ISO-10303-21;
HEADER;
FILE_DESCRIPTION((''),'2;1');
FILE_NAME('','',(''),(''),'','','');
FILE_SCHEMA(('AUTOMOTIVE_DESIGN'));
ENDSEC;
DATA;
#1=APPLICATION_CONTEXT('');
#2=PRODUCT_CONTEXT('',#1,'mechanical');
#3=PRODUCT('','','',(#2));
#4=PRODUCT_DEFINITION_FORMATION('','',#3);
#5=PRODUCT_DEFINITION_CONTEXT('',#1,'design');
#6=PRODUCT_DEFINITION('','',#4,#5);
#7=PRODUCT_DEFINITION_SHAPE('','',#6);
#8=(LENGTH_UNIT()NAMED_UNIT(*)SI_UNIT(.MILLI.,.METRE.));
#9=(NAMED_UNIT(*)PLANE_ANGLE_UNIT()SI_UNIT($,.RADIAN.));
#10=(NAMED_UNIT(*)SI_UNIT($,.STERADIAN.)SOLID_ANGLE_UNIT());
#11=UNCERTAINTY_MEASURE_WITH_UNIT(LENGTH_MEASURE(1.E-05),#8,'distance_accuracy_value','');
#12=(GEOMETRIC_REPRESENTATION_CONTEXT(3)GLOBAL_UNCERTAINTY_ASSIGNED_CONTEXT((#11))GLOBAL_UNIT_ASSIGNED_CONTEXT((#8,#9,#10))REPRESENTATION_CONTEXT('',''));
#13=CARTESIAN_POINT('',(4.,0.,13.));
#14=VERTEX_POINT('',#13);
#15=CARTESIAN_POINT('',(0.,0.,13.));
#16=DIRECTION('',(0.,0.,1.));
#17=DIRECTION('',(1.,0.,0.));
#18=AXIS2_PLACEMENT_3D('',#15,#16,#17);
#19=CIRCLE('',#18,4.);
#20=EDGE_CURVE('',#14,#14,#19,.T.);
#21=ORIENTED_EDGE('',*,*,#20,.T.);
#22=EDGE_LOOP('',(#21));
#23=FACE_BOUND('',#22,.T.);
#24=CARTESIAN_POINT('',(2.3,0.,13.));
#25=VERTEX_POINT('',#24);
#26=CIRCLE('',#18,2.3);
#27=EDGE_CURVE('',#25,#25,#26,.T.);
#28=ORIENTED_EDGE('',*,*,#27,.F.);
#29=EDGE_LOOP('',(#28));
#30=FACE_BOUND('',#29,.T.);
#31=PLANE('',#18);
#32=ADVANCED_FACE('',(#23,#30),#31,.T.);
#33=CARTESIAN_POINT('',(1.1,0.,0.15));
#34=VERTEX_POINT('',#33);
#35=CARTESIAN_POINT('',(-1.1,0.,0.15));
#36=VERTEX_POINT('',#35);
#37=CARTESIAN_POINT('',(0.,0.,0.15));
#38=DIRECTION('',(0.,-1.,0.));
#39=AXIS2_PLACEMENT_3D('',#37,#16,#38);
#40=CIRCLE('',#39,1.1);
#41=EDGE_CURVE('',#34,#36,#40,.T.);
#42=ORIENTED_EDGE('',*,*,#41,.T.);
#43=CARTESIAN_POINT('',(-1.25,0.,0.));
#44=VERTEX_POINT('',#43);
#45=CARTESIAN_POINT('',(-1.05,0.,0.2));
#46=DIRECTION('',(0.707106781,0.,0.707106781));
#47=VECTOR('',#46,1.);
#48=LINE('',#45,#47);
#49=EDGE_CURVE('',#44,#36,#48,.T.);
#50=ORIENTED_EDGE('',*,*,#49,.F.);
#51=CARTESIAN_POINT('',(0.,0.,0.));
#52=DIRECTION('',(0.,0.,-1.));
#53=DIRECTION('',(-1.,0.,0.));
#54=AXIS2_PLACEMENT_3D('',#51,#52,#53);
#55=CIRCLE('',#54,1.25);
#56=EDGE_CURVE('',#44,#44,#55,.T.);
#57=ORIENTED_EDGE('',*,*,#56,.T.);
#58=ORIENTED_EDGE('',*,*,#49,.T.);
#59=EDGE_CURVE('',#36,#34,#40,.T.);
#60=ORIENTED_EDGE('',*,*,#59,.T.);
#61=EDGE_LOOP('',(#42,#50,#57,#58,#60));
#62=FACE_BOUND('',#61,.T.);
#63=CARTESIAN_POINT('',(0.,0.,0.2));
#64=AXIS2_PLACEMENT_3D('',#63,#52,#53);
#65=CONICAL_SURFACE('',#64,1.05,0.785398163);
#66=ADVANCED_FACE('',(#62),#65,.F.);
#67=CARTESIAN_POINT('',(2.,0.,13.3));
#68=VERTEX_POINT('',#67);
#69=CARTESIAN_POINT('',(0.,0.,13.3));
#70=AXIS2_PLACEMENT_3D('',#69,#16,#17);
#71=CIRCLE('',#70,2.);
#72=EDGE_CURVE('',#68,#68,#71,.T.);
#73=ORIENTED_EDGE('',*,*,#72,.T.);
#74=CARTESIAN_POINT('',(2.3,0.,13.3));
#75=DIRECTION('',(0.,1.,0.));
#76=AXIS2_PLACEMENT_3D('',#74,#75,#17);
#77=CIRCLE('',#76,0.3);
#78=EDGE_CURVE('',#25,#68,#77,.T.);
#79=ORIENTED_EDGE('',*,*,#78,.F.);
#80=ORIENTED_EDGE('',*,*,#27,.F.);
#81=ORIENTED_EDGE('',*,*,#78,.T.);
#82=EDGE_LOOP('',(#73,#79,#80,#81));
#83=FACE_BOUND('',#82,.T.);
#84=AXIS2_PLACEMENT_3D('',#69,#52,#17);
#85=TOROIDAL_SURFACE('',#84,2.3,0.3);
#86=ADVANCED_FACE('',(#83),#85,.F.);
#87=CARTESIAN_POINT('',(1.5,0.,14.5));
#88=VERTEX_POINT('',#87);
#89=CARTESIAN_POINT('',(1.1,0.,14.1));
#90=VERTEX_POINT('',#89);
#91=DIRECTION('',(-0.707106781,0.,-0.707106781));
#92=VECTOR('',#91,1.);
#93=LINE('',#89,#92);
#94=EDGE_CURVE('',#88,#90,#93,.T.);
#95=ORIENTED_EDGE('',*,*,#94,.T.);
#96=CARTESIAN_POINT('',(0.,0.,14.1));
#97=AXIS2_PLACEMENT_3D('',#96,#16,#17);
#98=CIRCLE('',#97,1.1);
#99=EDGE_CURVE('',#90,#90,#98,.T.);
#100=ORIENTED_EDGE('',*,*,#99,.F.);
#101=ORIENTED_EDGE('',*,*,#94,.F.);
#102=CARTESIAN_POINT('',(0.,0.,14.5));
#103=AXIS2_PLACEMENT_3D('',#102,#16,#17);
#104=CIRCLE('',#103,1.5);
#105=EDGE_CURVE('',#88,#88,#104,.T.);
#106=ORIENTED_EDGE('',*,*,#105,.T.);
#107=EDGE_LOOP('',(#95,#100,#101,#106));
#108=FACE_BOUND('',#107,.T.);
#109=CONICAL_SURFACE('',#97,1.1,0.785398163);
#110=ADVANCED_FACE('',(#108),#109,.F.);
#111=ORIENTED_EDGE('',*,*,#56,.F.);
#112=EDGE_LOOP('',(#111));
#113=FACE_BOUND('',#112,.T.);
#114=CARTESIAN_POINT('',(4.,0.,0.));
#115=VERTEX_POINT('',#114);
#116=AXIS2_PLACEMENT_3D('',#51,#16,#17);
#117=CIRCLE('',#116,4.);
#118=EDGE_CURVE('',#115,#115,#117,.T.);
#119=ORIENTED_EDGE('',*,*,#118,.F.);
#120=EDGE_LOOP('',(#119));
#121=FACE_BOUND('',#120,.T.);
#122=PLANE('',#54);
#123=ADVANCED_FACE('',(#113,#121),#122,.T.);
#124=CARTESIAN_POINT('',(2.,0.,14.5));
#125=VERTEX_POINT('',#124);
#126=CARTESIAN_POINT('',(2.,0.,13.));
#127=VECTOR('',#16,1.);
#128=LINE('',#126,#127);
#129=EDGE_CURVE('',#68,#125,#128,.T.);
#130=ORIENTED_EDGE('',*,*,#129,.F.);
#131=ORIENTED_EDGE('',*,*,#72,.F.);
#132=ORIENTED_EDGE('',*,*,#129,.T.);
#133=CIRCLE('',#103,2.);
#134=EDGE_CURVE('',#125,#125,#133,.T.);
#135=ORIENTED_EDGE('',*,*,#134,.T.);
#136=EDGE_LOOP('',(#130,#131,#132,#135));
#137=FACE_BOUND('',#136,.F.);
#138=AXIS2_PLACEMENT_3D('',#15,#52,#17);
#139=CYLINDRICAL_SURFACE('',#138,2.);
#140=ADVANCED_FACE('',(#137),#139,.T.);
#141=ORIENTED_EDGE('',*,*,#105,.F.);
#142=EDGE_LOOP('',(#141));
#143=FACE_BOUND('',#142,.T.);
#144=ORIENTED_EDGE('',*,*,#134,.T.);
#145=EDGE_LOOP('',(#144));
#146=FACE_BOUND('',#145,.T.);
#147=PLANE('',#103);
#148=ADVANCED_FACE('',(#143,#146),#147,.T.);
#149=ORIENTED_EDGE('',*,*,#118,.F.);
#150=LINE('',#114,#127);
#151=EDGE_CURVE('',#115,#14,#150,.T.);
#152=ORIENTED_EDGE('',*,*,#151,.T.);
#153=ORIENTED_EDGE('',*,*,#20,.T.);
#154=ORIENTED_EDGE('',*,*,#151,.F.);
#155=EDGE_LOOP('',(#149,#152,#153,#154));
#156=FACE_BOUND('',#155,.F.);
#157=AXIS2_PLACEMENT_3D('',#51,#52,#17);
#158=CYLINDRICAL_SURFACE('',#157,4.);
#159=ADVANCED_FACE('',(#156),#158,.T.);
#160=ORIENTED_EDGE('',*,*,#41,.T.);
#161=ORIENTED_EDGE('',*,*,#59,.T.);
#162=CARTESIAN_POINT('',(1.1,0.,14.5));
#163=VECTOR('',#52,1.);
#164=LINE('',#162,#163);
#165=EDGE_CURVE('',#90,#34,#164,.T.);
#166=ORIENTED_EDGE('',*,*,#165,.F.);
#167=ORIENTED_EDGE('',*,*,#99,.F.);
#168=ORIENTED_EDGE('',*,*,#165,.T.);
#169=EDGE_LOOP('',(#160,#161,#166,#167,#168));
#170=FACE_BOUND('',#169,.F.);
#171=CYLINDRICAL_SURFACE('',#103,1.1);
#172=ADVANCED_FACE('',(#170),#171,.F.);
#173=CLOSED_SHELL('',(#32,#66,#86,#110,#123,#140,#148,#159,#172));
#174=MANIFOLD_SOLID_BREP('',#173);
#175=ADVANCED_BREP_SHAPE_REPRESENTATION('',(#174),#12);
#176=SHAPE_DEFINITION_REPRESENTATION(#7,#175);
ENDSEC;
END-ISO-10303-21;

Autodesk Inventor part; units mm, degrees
ref_plane "XY Plane" through (0, 0, 0) normal (0, 0, 1) x (1, 0, 0)
sketch "Sketch1" plane through (0, 0, 0) normal (0, 0, 1) x (1, 0, 0)
  circle A0 centre (0, 0) radius 1 projected
  circle A1 centre (0, 0) radius 4 projected
extrude "Extrusion1" add sketch "Sketch1" along normal blind 13
sketch "Sketch2" plane through (0, 0, 13) normal (0, 0, 1) x (1, 0, 0)
  circle A0 centre (0, 0) radius 1 projected
  circle A1 centre (0, 0) radius 4 projected
  circle A2 centre (0, 0) radius 2
  dimension "d5" = 4
extrude "Extrusion2" add sketch "Sketch2" along normal blind 1.5 contours A2
sketch "Sketch3" plane through (0, 0, 0) normal (0, 0, -1) x (-1, 0, 0)
  circle A0 centre (0, 0) radius 1 projected
  circle A1 centre (0, 0) radius 4 projected
  circle A2 centre (0, 0) radius 1.05
  dimension "d8" = 2.1
extrude "Extrusion3" cut sketch "Sketch3" against normal blind 20 contours A2
sketch "Sketch4" plane through (0, 0, 0) normal (0, 0, -1) x (-1, 0, 0)
  circle A0 centre (0, 0) radius 1.05 projected
  circle A1 centre (0, 0) radius 4 projected
extrude "Extrusion4" add sketch "Sketch4" along normal blind 0.5
sketch "Sketch5" plane through (0, 0, -0.5) normal (0, 0, -1) x (-1, 0, 0)
  circle A0 centre (0, 0) radius 1.05 projected
  circle A1 centre (0, 0) radius 4 projected
extrude "Extrusion5" add sketch "Sketch5" along normal blind 0.5
sketch "Sketch6" plane through (0, 0, -1) normal (0, 0, -1) x (-1, 0, 0)
  circle A0 centre (0, 0) radius 1.05 projected
  circle A1 centre (0, 0) radius 4 projected
extrude "Extrusion6" cut sketch "Sketch6" against normal blind 1
chamfer "Chamfer2" distance 0.2 angle 45 1 edges at (1.05, 0, 0)
sketch "Sketch7" plane through (0, 0, 14.5) normal (0, 0, 1) x (1, 0, 0)
  circle A0 centre (0, 0) radius 2 projected
  circle A1 centre (0, 0) radius 1.1
  dimension "d20" = 2.2
extrude "Extrusion7" cut sketch "Sketch7" against normal blind 30 contours A1
fillet "Fillet1" radius 0.3 1 edges at (-2, 0, 13)
chamfer "Chamfer3" distance 0.4 angle 45 1 edges at (-1.1, 0, 14.5)
properties material "PBT Plastic"
